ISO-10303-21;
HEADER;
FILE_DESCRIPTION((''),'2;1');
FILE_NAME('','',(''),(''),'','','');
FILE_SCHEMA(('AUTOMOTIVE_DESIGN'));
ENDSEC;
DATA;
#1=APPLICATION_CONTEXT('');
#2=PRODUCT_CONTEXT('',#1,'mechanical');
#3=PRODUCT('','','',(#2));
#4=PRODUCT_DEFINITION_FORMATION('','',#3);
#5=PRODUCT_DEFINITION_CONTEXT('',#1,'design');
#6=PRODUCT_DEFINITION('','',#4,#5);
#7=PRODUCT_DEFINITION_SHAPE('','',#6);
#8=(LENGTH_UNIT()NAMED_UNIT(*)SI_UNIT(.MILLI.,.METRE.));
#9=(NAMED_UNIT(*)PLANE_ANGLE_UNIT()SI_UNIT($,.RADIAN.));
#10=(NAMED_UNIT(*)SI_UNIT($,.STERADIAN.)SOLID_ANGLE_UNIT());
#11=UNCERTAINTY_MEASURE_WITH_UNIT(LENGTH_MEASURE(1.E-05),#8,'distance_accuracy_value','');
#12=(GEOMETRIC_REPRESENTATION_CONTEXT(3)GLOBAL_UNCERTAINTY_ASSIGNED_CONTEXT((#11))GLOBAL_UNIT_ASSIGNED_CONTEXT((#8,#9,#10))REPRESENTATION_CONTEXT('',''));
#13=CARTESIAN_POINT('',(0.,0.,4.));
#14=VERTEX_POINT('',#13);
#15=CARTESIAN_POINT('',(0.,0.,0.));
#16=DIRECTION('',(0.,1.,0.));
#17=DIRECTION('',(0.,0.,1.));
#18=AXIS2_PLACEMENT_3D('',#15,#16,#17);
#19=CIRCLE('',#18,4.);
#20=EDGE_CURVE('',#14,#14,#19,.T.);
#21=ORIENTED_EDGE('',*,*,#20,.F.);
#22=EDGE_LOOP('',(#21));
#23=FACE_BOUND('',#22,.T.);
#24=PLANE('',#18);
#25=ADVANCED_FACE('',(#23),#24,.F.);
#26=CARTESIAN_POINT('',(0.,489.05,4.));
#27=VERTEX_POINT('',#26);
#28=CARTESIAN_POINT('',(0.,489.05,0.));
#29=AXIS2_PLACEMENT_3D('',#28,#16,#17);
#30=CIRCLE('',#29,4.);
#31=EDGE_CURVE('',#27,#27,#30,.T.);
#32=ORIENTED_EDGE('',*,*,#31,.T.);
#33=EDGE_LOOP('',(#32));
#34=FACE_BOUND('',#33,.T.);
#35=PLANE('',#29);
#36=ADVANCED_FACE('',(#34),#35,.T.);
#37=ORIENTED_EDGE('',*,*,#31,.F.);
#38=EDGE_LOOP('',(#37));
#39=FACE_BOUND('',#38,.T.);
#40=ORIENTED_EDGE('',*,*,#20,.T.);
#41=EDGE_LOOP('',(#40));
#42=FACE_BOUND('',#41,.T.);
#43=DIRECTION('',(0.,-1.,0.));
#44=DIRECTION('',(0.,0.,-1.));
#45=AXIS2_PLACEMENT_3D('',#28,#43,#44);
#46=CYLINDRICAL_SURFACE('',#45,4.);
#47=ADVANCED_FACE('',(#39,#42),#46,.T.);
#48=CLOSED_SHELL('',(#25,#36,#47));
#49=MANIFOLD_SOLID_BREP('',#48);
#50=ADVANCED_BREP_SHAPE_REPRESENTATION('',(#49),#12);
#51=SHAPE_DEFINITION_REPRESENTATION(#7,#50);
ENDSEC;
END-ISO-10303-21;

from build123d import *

# Parameters (mm, degrees)
SKETCH1_R           = 4
BOSS_EXTRUDE1_DEPTH = 489.05


with BuildPart() as part:
    # Sketch1 → Boss-Extrude1 (new body)
    with BuildSketch(Plane(origin=(0, 0, 0), x_dir=(1, 0, 0), z_dir=(0, 1, 0))):
        with Locations(Location((0, 0, 0), (0, 0, 270))):
            Circle(SKETCH1_R)
    extrude(amount=BOSS_EXTRUDE1_DEPTH)


solid = part.part
